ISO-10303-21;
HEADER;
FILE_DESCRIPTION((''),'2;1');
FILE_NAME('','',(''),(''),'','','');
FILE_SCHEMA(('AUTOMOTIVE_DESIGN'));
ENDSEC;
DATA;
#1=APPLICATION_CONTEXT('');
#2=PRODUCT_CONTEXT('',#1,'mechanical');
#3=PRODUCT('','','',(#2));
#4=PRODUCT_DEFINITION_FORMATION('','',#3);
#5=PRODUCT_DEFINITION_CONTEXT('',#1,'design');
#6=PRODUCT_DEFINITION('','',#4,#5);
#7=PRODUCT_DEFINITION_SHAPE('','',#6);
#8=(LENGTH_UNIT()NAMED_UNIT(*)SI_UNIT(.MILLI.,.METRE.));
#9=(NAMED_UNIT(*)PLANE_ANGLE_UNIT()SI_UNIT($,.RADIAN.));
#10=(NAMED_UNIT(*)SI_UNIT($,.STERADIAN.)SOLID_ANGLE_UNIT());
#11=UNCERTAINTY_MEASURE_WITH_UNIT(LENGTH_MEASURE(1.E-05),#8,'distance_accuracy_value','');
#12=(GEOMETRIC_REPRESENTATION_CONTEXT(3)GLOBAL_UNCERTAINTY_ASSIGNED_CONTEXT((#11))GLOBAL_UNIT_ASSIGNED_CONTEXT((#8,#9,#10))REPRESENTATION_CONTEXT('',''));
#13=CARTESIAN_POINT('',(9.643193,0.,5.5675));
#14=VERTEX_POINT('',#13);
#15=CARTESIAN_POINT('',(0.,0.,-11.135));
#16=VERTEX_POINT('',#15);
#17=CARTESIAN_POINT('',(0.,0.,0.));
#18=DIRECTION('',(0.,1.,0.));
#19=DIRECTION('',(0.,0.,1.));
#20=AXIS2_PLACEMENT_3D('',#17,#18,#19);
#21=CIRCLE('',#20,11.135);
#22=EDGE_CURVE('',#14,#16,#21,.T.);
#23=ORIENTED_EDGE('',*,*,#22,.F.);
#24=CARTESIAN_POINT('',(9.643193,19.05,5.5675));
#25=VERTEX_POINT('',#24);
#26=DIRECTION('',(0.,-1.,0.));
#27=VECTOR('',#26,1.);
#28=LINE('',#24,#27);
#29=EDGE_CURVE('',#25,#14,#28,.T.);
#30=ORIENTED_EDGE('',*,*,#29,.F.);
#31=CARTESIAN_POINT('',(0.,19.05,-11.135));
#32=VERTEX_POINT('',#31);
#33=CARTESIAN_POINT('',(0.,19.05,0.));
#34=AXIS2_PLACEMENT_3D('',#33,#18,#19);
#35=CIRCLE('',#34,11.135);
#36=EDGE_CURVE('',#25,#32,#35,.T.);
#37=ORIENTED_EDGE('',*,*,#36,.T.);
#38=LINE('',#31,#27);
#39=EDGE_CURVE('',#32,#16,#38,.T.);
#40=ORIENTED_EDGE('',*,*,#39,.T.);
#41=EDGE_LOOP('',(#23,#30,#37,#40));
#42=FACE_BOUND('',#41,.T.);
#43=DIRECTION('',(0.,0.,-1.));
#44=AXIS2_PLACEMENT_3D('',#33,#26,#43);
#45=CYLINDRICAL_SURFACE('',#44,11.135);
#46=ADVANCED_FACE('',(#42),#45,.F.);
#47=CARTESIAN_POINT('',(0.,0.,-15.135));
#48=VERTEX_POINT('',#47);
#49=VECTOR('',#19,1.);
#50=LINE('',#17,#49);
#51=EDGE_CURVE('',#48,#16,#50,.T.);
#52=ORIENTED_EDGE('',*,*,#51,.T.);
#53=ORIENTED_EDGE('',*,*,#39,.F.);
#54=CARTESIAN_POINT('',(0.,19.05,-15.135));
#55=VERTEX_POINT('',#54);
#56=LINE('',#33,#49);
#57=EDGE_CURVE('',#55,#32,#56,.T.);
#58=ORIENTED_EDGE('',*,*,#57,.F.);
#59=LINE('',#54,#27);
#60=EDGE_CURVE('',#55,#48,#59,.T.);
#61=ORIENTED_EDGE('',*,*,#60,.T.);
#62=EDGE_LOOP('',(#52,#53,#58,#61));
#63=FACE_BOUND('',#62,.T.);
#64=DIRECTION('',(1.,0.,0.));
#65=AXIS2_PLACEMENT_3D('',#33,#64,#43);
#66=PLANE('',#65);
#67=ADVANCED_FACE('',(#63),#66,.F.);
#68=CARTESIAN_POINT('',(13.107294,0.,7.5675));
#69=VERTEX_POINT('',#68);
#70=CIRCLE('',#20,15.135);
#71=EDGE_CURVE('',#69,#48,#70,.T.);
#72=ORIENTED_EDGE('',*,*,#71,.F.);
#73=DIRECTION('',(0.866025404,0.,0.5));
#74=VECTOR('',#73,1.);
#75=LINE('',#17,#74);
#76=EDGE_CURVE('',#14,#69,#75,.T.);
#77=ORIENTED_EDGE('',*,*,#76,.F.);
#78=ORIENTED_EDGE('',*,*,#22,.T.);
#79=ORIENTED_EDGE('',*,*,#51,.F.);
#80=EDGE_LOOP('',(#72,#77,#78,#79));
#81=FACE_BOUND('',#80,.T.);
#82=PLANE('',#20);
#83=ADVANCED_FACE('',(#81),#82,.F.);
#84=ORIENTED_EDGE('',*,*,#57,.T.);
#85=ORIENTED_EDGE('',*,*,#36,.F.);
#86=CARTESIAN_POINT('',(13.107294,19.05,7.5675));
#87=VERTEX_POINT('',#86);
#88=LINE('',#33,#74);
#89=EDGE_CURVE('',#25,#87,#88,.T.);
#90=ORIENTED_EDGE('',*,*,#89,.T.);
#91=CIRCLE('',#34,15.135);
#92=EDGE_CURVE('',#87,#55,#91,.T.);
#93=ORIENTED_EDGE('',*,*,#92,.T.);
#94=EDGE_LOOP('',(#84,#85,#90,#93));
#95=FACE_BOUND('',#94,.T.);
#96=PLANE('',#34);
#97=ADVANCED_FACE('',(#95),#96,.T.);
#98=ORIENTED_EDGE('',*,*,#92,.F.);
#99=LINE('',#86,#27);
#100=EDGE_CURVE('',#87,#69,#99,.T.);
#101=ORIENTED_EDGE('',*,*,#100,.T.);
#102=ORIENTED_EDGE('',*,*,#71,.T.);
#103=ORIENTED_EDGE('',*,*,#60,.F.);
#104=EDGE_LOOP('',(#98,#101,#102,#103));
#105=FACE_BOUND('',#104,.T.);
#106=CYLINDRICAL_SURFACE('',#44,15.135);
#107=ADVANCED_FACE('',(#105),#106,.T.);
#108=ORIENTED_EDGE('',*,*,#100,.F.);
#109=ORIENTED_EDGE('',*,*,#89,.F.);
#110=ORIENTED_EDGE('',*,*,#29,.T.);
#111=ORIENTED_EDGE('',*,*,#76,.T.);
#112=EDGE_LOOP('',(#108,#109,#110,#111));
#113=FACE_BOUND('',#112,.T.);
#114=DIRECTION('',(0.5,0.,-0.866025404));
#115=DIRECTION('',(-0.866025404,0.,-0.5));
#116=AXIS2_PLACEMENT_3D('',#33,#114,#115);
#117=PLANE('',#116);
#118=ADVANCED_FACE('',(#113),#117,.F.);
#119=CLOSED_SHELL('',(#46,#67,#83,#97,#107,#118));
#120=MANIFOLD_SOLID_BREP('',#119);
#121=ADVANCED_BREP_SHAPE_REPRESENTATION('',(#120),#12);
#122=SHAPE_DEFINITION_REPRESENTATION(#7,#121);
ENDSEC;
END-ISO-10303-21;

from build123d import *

# Parameters (mm, degrees)
BOSS_EXTRUDE1_DEPTH = 19.05


with BuildPart() as part:
    # Sketch1 → Boss-Extrude1 (new body)
    with BuildSketch(Plane(origin=(0, 0, 0), x_dir=(1, 0, 0), z_dir=(0, 1, 0))):
        with BuildLine():
            ThreePointArc((15.135, 0), (10.702061133, 10.702061133), (0, 15.135))
            Line((0, 15.135), (0, 11.135))
            ThreePointArc((0, 11.135), (7.873634009, 7.873634009), (11.135, 0))
            ThreePointArc((11.135, 0), (10.755584076, -2.881950067), (9.643192871, -5.5675))
            Line((9.643192871, -5.5675), (13.107294486, -7.5675))
            ThreePointArc((13.107294486, -7.5675), (14.619287381, -3.917226248), (15.135, 0))
        make_face()
    extrude(amount=BOSS_EXTRUDE1_DEPTH)


solid = part.part
